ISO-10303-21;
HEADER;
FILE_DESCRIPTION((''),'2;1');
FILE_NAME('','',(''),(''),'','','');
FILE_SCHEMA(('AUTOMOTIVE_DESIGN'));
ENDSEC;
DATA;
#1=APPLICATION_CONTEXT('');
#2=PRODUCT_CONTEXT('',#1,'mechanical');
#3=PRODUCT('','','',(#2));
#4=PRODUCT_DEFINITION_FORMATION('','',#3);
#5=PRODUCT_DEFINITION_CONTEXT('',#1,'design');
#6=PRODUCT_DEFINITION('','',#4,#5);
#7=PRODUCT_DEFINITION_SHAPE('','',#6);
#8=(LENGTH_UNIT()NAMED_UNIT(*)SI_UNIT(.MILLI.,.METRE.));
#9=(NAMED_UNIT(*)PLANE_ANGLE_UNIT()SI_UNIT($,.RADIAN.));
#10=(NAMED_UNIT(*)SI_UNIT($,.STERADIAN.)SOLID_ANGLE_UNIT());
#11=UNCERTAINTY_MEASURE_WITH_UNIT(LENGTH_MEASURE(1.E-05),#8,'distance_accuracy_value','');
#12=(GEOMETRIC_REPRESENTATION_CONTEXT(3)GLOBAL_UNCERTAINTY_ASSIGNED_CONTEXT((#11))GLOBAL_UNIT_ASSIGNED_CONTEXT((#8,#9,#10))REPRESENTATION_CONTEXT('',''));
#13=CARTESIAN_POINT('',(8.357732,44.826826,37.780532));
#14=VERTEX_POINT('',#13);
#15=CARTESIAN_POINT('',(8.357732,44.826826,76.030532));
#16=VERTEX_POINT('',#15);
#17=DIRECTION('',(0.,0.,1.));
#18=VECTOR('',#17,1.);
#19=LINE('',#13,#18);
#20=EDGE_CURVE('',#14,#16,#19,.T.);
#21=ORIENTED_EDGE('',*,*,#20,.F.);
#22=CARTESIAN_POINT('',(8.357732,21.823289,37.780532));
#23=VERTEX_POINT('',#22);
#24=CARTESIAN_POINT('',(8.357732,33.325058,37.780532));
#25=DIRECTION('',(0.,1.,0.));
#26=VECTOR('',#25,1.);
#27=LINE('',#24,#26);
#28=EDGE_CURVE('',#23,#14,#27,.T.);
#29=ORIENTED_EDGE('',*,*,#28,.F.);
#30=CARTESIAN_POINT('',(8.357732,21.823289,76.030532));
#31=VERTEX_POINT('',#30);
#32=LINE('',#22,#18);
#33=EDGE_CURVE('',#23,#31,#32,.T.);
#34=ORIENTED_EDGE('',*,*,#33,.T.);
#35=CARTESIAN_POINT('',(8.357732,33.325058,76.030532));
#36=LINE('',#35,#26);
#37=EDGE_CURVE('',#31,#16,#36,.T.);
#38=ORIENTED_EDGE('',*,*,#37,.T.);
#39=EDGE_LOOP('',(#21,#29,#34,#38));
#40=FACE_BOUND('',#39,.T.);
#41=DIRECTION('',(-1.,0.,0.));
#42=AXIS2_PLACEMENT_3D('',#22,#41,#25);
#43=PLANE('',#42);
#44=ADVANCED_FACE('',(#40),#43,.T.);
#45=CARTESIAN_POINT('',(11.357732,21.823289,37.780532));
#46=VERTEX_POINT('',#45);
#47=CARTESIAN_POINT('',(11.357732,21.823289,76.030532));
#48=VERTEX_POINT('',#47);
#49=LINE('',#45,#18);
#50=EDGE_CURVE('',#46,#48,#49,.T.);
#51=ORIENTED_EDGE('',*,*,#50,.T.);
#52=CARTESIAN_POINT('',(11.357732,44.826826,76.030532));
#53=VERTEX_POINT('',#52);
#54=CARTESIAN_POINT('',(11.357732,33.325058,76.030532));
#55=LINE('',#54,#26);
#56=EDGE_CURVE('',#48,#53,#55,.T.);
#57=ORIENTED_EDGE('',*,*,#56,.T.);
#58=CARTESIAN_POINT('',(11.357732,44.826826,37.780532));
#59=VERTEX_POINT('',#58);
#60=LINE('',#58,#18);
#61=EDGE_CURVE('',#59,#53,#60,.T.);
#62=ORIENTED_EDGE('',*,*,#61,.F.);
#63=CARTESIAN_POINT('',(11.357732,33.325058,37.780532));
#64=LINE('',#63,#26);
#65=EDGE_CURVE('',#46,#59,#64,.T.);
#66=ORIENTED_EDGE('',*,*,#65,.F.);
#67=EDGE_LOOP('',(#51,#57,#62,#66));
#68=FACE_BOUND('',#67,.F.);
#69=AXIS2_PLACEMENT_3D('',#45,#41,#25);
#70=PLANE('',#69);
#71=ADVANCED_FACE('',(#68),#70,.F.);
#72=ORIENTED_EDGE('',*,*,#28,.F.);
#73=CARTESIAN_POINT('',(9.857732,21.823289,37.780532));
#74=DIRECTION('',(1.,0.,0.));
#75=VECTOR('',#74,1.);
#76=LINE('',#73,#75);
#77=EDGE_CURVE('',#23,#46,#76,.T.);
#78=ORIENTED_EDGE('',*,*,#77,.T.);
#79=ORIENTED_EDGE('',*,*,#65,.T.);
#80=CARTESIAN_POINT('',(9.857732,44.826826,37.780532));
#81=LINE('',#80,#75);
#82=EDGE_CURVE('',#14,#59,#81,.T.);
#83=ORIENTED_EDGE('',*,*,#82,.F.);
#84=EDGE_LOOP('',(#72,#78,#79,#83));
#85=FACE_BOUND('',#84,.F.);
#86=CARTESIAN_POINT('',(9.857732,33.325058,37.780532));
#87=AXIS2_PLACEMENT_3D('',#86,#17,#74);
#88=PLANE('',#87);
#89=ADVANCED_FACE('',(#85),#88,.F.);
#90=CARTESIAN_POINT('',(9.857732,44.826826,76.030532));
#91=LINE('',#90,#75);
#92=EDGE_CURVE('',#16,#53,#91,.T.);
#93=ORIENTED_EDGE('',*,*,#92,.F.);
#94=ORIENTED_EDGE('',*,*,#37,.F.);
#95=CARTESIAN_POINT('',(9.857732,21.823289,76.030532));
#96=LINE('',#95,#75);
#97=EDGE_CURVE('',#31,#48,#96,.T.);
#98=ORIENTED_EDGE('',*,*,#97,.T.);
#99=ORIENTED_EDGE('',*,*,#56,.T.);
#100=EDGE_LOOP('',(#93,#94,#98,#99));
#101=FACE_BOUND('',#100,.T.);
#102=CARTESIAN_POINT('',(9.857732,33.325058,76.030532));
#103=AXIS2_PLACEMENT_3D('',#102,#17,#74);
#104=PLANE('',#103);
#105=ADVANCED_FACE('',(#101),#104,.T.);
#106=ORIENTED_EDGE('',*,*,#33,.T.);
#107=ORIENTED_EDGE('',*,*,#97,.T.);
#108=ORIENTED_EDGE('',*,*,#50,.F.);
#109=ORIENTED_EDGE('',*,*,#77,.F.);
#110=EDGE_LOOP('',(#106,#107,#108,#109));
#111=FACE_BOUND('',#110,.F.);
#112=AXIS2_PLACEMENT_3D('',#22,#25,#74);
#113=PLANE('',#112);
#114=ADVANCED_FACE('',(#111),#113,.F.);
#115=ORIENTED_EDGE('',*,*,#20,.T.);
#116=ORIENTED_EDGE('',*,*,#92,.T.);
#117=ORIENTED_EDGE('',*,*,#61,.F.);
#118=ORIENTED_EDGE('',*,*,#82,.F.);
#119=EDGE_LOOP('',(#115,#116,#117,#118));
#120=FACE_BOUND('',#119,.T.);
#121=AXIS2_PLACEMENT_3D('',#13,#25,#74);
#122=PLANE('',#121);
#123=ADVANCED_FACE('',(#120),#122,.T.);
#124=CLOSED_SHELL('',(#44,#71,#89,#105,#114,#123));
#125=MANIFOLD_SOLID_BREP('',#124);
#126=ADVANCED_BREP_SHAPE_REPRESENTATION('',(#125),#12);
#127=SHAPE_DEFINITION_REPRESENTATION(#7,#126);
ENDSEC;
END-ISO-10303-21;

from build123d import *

# Parameters (mm, degrees)
SKETCH1_W           = 3
SKETCH1_H           = 23.003536126
BOSS_EXTRUDE1_DEPTH = 38.25


with BuildPart() as part:
    # Sketch1 → Boss-Extrude1 (new body)
    with BuildSketch(Plane.XY.offset(37.780531955)):
        with Locations((9.857732215, 33.325057501)):
            Rectangle(SKETCH1_W, SKETCH1_H)
    extrude(amount=BOSS_EXTRUDE1_DEPTH)


solid = part.part
